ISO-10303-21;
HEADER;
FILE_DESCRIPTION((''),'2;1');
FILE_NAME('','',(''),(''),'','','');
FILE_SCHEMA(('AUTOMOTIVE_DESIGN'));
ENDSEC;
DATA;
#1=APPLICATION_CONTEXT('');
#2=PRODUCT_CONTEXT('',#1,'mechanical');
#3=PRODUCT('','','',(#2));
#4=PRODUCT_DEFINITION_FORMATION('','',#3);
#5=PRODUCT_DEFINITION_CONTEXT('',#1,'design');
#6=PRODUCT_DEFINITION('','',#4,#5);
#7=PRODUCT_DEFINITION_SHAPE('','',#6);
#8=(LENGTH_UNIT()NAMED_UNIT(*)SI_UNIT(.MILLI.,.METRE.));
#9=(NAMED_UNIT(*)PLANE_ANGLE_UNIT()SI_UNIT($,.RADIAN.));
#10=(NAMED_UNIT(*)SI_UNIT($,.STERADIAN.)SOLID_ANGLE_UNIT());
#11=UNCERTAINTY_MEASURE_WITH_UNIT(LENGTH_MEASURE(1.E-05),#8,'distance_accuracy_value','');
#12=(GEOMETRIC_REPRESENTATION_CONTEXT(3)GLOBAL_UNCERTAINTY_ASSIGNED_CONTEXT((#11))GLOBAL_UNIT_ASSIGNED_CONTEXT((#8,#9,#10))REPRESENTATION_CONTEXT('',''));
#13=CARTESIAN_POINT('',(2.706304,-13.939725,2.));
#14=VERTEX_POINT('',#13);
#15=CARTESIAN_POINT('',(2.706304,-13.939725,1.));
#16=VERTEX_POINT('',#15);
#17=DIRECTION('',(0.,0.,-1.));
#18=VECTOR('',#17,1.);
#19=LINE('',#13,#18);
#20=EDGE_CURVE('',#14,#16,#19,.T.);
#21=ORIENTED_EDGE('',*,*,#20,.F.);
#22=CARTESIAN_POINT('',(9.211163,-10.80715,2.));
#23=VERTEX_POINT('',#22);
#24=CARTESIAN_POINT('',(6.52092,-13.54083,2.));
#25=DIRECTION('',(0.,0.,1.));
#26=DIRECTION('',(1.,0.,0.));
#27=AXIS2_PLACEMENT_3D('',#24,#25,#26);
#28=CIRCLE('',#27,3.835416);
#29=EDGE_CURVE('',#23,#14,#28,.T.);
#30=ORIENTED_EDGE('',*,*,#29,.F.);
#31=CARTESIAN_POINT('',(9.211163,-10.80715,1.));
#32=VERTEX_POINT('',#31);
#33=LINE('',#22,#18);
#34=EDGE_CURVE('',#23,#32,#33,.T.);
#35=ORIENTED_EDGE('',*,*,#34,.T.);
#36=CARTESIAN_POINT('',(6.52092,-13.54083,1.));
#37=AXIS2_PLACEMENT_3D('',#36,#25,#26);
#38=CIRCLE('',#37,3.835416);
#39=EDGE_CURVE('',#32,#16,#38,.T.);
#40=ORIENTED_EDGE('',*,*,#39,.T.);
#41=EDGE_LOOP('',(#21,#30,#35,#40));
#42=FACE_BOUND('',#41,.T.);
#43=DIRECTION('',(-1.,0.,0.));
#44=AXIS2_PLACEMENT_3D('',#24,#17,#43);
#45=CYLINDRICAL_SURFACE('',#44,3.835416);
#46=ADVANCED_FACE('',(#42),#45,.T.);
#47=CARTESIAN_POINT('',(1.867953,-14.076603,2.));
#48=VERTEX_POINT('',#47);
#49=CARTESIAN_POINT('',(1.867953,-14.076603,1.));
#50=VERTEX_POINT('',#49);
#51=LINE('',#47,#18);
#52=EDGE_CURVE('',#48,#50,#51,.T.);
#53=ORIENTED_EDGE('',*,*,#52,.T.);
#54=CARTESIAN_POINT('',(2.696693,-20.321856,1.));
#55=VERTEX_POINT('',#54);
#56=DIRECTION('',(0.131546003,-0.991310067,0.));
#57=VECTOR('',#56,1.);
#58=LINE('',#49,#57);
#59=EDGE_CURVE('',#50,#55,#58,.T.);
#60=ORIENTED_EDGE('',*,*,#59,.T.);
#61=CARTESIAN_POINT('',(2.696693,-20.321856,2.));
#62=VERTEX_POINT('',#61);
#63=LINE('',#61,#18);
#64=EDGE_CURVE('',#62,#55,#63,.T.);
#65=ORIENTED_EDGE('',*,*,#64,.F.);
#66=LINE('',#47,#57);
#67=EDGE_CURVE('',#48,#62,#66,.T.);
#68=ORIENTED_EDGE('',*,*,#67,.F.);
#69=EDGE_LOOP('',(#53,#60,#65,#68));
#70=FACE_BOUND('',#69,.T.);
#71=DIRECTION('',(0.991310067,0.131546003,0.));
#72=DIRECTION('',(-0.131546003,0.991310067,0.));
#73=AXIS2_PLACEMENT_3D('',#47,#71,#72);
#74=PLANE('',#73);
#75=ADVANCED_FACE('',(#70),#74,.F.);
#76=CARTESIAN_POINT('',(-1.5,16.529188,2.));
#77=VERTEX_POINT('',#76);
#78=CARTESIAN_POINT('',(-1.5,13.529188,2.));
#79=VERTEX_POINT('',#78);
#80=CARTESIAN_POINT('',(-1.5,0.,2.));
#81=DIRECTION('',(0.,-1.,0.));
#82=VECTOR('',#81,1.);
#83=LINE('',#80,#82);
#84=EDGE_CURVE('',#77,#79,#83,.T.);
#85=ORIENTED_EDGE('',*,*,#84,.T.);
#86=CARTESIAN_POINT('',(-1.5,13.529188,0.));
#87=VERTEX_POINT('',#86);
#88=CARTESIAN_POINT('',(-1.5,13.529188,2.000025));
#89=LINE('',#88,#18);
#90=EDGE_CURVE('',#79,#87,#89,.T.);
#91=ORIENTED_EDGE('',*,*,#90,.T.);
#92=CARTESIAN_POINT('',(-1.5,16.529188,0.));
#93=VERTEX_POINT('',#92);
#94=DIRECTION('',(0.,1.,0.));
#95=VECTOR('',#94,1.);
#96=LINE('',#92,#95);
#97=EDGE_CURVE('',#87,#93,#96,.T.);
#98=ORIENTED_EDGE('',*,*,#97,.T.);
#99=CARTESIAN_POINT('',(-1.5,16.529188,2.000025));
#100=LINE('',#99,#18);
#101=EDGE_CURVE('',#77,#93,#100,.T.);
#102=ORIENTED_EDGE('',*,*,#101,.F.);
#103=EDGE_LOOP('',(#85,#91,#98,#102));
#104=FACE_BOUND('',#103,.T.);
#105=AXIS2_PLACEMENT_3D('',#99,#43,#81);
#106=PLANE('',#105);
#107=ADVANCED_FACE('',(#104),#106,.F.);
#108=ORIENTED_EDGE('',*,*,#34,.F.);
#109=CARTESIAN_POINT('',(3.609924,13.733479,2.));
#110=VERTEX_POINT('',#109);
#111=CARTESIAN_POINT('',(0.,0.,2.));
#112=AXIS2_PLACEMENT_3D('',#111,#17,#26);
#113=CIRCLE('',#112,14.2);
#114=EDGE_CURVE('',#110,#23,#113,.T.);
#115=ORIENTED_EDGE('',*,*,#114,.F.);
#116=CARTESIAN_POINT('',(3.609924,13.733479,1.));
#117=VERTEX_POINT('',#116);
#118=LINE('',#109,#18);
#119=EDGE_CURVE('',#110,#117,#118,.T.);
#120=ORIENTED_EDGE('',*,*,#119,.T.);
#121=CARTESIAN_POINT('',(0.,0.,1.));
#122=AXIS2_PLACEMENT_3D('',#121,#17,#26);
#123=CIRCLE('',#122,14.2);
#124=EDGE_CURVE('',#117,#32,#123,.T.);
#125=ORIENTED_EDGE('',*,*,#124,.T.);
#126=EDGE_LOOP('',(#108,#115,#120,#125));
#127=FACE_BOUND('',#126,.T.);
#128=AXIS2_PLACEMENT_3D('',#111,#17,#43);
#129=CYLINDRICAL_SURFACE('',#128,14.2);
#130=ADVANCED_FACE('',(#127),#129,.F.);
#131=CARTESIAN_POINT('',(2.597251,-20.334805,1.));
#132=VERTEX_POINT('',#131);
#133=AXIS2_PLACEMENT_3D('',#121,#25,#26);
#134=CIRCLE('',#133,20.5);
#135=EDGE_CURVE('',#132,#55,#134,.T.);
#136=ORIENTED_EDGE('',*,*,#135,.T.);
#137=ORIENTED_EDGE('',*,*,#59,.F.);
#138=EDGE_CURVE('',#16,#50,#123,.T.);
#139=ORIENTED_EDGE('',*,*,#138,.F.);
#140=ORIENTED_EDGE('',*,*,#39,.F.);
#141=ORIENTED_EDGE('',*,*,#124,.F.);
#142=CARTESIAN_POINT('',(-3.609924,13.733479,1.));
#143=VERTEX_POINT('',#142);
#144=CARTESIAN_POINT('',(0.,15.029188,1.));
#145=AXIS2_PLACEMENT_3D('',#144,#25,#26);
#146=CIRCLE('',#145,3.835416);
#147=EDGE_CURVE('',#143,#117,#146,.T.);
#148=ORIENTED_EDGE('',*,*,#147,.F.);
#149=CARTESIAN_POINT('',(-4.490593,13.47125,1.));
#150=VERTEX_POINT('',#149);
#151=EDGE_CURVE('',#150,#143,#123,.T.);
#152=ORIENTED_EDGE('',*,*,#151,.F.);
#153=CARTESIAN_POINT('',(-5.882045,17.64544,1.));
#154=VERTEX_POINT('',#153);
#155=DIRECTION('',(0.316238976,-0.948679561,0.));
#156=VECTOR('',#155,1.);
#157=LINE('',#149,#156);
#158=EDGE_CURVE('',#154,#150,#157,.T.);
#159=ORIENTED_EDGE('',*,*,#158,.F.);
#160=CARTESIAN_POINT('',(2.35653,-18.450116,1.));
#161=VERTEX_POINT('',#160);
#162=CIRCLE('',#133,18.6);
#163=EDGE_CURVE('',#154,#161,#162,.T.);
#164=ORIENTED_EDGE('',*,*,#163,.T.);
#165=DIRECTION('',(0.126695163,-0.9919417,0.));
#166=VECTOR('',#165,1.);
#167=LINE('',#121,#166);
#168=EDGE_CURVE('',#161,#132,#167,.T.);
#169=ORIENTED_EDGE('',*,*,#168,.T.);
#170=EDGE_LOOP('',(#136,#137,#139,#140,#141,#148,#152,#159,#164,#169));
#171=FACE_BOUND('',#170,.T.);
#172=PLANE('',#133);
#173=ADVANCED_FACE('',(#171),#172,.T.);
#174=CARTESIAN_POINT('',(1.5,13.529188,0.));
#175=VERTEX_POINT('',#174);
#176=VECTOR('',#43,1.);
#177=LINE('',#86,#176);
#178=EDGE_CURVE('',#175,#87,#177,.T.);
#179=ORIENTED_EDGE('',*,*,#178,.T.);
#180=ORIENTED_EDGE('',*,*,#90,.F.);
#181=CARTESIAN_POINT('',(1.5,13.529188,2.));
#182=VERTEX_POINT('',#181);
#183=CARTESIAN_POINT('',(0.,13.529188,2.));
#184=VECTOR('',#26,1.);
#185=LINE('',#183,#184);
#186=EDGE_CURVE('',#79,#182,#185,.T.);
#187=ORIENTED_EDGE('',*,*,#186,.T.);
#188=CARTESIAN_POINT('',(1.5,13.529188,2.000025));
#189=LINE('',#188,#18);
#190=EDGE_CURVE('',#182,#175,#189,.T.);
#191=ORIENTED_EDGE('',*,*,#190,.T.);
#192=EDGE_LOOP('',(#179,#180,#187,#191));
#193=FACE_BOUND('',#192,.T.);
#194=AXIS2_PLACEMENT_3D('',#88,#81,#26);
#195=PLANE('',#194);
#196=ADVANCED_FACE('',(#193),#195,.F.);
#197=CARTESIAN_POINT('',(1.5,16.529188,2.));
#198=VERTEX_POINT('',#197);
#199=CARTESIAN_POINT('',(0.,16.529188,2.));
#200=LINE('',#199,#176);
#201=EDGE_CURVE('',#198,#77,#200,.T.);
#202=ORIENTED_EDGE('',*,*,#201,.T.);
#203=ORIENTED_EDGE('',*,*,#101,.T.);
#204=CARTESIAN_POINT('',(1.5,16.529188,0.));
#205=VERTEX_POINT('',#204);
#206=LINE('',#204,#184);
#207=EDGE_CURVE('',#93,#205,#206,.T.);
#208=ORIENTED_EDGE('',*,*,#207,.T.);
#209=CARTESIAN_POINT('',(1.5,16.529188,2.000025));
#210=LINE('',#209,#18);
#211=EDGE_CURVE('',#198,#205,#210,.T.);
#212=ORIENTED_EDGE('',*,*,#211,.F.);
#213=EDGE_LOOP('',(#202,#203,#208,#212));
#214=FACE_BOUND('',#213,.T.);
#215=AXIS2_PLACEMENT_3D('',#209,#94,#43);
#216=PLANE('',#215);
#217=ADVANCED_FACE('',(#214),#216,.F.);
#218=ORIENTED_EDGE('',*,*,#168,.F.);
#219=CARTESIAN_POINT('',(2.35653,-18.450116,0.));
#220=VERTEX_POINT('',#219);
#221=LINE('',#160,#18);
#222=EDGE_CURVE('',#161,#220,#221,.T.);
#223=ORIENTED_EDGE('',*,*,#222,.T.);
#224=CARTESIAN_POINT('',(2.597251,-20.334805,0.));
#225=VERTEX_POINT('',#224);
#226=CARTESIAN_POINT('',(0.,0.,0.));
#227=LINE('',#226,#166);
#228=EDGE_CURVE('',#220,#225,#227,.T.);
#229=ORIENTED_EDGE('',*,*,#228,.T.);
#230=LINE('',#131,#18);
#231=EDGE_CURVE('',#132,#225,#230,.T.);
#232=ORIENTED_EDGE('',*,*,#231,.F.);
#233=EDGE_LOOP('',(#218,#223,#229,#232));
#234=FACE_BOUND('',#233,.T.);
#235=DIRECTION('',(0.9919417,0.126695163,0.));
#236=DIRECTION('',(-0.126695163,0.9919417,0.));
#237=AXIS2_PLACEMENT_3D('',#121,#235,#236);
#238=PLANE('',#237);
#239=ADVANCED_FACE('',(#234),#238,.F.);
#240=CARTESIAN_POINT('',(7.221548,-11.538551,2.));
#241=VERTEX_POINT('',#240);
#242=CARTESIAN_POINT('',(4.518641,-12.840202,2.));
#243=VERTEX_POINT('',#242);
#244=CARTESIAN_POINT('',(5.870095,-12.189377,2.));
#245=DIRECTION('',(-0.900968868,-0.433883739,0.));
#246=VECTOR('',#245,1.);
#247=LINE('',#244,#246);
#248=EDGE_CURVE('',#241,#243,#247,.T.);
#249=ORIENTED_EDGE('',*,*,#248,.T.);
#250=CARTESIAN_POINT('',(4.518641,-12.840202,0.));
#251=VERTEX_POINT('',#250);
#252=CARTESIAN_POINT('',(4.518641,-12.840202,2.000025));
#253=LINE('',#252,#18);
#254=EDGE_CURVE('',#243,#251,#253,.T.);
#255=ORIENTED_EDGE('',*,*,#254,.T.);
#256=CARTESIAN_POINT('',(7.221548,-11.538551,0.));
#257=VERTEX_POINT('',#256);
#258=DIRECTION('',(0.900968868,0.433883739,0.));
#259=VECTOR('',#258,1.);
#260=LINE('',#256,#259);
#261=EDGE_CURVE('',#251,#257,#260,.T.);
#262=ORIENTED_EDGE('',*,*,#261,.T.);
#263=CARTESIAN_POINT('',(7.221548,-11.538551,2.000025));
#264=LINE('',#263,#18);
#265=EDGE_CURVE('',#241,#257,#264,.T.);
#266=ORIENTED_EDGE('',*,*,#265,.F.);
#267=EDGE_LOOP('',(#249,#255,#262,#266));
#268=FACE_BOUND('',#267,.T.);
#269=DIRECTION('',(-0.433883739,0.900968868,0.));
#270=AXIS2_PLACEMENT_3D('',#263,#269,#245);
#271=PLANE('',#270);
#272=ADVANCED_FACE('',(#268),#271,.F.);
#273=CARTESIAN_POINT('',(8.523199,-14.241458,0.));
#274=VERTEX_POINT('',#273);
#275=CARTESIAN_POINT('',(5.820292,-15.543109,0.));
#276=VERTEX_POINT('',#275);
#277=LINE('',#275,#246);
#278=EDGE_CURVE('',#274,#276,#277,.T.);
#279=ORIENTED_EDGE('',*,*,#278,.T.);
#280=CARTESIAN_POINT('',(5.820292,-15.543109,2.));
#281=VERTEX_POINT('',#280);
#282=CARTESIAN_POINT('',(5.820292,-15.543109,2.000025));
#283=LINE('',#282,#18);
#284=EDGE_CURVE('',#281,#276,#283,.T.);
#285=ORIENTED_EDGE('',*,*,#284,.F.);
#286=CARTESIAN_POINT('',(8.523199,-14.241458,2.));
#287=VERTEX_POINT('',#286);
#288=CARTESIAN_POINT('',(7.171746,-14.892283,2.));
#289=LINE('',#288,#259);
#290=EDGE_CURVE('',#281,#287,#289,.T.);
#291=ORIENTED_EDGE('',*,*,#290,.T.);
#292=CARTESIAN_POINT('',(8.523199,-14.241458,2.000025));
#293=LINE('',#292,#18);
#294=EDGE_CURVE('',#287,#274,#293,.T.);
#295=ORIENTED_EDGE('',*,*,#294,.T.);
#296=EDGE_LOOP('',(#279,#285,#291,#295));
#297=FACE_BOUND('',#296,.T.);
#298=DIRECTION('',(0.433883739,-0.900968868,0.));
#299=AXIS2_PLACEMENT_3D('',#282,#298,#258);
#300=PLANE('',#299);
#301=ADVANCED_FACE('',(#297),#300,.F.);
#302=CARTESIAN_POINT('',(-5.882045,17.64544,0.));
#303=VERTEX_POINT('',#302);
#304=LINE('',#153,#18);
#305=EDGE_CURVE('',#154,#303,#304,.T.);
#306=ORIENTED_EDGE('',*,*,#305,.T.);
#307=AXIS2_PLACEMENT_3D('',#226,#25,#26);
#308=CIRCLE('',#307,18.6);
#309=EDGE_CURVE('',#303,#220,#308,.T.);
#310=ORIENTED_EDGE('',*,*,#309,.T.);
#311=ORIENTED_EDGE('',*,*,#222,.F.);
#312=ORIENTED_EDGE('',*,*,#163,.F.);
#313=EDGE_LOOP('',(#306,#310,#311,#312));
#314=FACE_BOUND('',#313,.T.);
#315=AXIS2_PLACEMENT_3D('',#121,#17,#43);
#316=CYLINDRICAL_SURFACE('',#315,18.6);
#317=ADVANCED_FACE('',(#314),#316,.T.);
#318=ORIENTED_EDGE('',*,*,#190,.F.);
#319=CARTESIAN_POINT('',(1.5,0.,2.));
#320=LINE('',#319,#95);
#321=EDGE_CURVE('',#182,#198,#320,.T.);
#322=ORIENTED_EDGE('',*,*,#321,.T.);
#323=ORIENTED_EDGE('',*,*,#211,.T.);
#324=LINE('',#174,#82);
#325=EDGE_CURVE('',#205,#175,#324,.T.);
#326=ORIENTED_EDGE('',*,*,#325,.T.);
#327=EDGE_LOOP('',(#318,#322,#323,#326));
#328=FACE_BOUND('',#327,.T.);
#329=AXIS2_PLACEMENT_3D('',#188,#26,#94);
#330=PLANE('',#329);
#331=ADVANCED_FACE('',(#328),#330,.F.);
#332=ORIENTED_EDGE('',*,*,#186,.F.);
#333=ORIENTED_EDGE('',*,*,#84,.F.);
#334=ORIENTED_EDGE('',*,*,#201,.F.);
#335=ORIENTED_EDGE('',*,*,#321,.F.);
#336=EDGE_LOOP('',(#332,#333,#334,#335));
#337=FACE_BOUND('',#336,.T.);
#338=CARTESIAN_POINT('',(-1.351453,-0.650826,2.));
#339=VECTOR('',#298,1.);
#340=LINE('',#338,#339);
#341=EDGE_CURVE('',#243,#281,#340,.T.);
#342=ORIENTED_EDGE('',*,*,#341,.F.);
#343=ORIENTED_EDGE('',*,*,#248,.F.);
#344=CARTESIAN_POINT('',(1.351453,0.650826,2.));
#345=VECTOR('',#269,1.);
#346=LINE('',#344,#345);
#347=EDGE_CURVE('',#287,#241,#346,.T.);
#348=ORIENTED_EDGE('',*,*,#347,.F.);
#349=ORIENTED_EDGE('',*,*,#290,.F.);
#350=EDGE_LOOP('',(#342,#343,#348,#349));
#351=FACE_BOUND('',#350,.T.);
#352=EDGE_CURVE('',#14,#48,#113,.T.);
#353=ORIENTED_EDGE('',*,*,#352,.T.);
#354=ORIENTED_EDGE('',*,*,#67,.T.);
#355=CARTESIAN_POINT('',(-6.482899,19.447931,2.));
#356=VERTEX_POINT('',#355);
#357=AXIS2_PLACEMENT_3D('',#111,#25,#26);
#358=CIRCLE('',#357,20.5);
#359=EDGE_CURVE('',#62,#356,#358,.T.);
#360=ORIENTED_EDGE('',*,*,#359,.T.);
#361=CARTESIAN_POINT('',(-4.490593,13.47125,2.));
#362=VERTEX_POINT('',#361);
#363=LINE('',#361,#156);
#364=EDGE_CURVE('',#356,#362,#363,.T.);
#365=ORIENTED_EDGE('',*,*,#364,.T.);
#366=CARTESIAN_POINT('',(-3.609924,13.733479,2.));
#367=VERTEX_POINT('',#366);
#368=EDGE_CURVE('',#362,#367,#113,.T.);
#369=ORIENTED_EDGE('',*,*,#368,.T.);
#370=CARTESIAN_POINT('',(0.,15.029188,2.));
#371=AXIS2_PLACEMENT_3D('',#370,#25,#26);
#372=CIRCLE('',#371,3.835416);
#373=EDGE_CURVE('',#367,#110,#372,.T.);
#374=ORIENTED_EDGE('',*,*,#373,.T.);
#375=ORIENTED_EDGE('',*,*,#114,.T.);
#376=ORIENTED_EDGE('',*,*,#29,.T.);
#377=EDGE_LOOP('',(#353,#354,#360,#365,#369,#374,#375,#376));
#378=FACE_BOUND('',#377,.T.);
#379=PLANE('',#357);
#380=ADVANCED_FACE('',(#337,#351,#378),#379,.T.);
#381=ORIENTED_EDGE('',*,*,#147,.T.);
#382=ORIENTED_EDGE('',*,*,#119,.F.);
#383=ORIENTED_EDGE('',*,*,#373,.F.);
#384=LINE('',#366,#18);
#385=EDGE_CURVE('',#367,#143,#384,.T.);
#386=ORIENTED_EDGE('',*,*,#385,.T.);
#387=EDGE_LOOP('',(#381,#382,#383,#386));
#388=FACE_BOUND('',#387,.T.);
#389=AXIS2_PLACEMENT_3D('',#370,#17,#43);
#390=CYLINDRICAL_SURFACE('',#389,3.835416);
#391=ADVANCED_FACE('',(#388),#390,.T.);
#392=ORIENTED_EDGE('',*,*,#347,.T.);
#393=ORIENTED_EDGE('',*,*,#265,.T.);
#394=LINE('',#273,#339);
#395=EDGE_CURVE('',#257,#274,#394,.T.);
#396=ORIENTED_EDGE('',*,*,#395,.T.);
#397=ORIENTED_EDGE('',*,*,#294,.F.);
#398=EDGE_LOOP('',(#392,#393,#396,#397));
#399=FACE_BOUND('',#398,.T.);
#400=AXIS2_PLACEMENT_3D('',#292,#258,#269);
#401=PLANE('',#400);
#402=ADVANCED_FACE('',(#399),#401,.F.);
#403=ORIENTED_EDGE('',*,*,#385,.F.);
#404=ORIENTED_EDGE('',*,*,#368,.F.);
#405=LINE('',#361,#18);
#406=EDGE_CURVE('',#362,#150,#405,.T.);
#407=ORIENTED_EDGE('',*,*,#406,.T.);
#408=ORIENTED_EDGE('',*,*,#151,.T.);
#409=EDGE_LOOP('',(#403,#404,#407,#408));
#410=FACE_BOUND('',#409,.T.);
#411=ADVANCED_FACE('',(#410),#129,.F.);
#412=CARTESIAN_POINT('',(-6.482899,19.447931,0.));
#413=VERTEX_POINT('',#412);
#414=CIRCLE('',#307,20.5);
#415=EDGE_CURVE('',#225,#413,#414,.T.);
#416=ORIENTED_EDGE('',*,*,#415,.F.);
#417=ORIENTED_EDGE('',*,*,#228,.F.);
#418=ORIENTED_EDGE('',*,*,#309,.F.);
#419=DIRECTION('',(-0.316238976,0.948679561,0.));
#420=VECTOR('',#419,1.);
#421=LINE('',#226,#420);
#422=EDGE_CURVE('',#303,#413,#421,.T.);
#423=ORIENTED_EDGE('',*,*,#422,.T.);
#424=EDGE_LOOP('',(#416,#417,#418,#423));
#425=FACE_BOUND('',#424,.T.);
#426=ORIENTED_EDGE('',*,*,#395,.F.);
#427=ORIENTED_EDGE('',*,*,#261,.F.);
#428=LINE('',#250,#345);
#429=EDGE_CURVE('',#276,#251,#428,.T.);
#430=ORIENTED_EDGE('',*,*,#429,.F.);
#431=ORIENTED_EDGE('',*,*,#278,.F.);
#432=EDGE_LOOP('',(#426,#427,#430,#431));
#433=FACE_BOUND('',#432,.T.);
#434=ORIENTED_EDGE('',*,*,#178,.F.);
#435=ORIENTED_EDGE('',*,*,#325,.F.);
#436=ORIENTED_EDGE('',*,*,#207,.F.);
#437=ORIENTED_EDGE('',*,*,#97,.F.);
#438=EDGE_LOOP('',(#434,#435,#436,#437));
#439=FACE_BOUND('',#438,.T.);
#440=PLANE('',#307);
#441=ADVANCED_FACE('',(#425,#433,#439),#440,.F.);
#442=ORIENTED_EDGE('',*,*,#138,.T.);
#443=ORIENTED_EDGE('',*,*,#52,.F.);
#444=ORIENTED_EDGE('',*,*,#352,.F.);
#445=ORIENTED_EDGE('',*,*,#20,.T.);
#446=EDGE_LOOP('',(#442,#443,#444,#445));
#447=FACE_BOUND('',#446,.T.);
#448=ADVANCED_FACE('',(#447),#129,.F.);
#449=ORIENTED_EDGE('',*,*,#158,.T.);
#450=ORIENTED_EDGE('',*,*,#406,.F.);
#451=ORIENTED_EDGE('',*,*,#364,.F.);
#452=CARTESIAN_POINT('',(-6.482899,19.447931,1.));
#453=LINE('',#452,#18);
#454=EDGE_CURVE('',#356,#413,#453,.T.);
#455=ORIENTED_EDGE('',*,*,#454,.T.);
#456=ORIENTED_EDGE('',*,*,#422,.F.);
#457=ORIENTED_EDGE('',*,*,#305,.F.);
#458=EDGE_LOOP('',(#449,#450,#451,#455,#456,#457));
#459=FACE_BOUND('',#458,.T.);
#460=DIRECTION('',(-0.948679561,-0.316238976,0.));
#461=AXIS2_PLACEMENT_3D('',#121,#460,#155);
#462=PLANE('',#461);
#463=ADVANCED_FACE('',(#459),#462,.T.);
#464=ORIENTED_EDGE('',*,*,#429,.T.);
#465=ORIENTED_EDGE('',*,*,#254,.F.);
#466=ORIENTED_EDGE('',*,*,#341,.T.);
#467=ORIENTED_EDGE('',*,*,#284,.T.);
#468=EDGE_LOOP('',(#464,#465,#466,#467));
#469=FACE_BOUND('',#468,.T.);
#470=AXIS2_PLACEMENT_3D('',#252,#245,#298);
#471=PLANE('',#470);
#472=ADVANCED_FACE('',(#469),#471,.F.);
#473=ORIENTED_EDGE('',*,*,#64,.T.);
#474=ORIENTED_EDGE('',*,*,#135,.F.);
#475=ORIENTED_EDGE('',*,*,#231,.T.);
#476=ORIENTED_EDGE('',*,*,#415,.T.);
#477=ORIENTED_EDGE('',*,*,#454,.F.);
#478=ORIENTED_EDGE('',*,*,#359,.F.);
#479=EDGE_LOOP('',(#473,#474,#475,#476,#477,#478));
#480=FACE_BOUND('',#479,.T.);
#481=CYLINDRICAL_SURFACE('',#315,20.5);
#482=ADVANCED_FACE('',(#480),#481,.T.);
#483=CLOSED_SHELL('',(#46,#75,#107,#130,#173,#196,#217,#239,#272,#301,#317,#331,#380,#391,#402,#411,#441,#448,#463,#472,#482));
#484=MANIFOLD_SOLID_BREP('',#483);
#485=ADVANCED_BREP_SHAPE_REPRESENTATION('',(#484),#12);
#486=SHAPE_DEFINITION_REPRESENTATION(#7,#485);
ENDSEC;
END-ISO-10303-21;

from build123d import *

# Parameters (mm, degrees)
RESSALTO_EXTRUS_O1_DEPTH = 1
RESSALTO_EXTRUS_O2_DEPTH = 1
ESBO_O3_W                = 3
ESBO_O3_H                = 3
CORTE_EXTRUS_O1_DEPTH    = 3


with BuildPart() as part:
    # Esboço1 → Ressalto-extrusão1 (new body)
    with BuildSketch(Plane.XY):
        with BuildLine():
            Line((-5.882044961, 17.645439838), (-6.482899016, 19.447931004))
            ThreePointArc((-6.482899016, 19.447931004), (19.9860222, 4.561679146), (2.597250835, -20.334804845))
            Line((2.597250835, -20.334804845), (2.356530026, -18.450115616))
            ThreePointArc((2.356530026, -18.450115616), (-18.133659167, -4.138889372), (-5.882044961, 17.645439838))
        make_face()
    extrude(amount=RESSALTO_EXTRUS_O1_DEPTH)

    # Esboço2 → Ressalto-extrusão2 (add)
    with BuildSketch(Plane.XY.offset(1)):
        with BuildLine():
            Line((-4.490593465, 13.471249769), (-6.482899016, 19.447931004))
            ThreePointArc((-6.482899016, 19.447931004), (19.974805028, 4.610549218), (2.696693068, -20.321856374))
            Line((2.696693068, -20.321856374), (1.867953247, -14.076602952))
            ThreePointArc((1.867953247, -14.076602952), (2.288152222, -14.014433967), (2.706303705, -13.93972454))
            ThreePointArc((2.706303705, -13.93972454), (4.856795522, -10.085239821), (9.211162742, -10.807149529))
            ThreePointArc((9.211162742, -10.807149529), (13.843976353, 3.159797262), (3.60992442, 13.733479009))
            ThreePointArc((3.60992442, 13.733479009), (0, 11.193771705), (-3.60992442, 13.733479009))
            ThreePointArc((-3.60992442, 13.733479009), (-4.052380602, 13.609489757), (-4.490593465, 13.471249769))
        make_face()
    extrude(amount=RESSALTO_EXTRUS_O2_DEPTH)

    # Esboço3 → Corte-extrusão1 (cut, through all)
    with BuildSketch(Plane(origin=(0, 0, 0), x_dir=(-1, 0, 0), z_dir=(0, 0, -1))):
        Polygon((-7.221547804, -11.538551224), (-4.5186412, -12.840202442), (-5.820292417, -15.543109046), (-8.523199021, -14.241457828), align=None)
        with Locations((0, 15.029187597)):
            Rectangle(ESBO_O3_W, ESBO_O3_H)
    extrude(amount=-CORTE_EXTRUS_O1_DEPTH, mode=Mode.SUBTRACT)


solid = part.part
